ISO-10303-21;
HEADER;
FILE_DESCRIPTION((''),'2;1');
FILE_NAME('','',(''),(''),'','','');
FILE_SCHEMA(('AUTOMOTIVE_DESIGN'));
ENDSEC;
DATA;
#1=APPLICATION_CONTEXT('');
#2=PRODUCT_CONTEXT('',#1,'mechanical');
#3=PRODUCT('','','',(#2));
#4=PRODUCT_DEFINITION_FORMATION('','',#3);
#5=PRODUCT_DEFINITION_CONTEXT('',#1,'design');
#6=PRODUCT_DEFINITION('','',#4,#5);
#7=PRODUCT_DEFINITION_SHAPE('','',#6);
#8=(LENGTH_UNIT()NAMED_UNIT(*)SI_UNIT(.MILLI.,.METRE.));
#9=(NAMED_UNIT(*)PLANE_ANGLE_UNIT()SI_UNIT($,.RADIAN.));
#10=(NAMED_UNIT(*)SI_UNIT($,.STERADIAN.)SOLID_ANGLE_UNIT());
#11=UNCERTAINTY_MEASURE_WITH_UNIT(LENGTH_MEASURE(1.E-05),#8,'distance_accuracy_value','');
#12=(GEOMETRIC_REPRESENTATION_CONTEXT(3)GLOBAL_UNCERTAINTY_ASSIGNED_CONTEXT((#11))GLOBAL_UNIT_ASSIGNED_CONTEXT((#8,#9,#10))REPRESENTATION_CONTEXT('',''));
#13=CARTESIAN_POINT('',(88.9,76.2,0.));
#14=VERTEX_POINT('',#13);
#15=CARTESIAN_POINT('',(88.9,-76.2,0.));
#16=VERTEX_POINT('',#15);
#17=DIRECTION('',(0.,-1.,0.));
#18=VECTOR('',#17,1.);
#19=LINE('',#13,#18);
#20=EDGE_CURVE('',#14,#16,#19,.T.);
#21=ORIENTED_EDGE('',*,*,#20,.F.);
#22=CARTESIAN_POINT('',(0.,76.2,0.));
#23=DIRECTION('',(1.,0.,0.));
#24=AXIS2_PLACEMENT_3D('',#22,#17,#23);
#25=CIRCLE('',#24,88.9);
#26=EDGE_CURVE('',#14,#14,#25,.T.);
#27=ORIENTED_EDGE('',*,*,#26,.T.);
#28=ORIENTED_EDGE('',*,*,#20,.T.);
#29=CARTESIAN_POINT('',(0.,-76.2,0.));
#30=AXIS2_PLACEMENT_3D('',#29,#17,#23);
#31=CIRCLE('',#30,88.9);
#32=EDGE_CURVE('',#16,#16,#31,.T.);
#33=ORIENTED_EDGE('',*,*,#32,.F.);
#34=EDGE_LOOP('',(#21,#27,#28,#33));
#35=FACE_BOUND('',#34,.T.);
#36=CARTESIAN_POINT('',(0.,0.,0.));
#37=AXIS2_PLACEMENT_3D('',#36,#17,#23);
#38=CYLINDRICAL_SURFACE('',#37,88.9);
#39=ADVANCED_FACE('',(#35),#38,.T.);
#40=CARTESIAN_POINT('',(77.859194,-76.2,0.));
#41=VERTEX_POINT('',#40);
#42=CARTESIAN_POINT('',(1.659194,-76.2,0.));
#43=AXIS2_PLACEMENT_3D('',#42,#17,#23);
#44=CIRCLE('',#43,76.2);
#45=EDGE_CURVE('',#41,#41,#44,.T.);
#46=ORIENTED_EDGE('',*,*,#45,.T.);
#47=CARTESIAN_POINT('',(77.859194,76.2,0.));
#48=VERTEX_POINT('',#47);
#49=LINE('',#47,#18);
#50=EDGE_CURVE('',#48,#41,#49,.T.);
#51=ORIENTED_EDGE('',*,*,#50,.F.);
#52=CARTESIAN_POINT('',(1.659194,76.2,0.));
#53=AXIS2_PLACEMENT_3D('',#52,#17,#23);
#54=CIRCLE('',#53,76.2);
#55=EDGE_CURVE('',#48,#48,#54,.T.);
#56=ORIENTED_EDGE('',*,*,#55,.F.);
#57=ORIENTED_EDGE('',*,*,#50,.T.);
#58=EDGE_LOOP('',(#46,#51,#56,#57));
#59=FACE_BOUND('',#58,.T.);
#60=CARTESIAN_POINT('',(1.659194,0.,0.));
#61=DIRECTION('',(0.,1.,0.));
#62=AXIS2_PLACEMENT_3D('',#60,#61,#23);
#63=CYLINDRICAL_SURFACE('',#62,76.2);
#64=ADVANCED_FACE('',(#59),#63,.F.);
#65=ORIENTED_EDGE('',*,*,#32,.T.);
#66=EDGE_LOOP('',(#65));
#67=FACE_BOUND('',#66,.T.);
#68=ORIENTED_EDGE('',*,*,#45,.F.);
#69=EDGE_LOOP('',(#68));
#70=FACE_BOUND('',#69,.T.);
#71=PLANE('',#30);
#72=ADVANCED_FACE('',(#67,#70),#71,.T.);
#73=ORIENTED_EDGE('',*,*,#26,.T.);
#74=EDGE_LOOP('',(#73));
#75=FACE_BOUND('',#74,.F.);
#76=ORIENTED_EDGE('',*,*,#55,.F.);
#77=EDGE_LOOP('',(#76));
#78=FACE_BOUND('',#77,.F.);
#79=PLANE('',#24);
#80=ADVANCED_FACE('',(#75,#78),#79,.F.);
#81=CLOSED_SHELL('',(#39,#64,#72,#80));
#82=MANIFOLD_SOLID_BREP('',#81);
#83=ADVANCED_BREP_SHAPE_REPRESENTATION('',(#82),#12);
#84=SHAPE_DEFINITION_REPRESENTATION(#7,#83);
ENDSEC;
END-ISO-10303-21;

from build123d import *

# Parameters (mm, degrees)
F0_R     = 88.9
F0_R_2   = 76.2
F1_DEPTH = 76.2
F2_DEPTH = 25.4


with BuildPart() as f1:
    # F0 (on Front) → F1 (new body, symmetric)
    with BuildSketch(Plane.XZ):
        Circle(F0_R)
        with Locations((1.659194, 0)):
            Circle(F0_R_2, mode=Mode.SUBTRACT)
    extrude(amount=F1_DEPTH, both=True)

    # F0 (on Front) → F2 (join)
    with BuildSketch(Plane.XZ):
        Circle(F0_R)
        with Locations((1.659194, 0)):
            Circle(F0_R_2, mode=Mode.SUBTRACT)
    extrude(amount=F2_DEPTH)


solid = f1.part
